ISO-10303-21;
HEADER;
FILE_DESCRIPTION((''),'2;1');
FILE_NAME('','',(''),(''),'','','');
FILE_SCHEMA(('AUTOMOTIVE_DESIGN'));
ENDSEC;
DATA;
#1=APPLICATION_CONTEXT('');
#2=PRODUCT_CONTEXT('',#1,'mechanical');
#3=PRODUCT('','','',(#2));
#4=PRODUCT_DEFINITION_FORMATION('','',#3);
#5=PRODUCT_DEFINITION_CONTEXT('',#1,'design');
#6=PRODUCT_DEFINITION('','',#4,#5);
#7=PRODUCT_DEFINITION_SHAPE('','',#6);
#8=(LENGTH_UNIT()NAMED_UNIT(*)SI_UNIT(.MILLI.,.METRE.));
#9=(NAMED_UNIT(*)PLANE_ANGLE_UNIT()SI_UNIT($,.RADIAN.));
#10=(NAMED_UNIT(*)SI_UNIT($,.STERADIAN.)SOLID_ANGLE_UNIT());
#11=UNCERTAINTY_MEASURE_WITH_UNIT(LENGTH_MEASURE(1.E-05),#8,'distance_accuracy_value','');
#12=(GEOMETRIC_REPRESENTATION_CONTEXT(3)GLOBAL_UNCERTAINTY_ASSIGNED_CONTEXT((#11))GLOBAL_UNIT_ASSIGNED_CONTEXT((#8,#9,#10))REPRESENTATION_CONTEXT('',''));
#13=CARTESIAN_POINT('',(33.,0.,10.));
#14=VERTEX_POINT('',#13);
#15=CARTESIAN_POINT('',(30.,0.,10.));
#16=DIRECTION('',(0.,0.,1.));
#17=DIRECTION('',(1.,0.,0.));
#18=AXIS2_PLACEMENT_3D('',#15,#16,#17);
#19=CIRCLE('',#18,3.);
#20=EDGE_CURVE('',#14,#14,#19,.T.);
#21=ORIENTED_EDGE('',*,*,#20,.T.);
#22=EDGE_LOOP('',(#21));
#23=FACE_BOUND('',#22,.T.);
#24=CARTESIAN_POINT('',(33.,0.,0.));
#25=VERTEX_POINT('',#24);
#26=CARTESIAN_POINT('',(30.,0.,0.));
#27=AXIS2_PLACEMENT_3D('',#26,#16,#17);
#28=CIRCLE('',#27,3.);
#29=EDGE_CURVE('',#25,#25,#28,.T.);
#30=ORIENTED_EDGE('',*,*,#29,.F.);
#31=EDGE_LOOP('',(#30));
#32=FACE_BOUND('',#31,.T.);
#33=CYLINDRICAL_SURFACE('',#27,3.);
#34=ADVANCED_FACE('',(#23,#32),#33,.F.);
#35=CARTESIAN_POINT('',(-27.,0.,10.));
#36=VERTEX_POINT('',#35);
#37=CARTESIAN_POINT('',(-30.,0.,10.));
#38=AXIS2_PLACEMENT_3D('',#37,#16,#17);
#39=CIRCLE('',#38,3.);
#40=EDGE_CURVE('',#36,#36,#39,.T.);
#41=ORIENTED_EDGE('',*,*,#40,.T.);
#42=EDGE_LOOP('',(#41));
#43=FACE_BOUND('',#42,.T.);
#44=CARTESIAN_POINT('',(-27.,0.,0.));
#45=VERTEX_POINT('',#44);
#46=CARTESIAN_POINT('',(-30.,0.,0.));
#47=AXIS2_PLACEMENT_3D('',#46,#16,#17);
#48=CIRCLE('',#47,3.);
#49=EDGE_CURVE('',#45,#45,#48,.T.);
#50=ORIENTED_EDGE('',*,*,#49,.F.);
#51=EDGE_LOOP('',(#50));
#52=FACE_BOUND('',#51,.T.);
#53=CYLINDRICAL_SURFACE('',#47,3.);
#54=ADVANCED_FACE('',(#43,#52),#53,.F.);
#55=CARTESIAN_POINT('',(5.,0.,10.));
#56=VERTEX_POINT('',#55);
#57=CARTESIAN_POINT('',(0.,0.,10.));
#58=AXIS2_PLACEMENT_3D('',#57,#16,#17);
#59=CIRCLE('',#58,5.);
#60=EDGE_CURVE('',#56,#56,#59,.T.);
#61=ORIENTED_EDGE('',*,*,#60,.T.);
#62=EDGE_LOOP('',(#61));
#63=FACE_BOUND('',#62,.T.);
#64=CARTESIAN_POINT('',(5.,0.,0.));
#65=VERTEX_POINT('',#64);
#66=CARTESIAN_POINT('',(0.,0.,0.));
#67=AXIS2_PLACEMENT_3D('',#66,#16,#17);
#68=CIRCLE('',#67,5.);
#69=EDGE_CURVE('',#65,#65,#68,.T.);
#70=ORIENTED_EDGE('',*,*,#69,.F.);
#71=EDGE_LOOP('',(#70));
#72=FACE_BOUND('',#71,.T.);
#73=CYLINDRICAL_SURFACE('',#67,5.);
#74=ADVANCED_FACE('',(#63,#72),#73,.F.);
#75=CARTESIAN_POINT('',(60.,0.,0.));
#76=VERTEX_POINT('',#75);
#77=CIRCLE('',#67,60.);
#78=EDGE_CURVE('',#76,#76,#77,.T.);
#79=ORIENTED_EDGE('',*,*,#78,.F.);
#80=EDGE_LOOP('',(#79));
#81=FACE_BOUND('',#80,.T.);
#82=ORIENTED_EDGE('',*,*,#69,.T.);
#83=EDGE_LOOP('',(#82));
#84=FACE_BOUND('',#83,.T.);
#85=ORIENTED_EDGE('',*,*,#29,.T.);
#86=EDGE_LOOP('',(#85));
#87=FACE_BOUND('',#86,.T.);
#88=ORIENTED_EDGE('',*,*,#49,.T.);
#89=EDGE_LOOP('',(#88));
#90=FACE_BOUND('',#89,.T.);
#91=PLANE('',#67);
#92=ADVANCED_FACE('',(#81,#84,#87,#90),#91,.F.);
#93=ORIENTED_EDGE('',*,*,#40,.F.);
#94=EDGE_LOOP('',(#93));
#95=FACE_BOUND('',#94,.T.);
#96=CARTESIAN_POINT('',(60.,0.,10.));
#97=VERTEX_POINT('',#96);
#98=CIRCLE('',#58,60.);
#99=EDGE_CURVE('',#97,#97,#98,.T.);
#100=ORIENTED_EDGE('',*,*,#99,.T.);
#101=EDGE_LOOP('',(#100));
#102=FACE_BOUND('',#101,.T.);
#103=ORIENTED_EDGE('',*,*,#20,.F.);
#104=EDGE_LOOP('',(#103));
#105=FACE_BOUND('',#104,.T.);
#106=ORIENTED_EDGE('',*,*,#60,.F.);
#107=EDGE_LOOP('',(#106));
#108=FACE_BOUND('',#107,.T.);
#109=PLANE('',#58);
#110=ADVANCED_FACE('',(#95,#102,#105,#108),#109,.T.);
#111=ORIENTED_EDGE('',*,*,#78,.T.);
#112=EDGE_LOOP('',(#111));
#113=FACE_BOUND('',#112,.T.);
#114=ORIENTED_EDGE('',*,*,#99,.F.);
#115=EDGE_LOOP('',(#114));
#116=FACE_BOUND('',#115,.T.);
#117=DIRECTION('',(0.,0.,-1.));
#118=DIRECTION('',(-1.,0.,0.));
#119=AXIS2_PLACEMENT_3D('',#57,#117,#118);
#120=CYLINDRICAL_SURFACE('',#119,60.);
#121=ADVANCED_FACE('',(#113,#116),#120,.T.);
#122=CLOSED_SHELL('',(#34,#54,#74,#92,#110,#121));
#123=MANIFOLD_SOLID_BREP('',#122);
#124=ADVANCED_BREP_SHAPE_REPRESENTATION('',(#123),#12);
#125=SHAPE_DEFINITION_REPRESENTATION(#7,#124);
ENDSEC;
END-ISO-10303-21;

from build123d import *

# Parameters (mm, degrees)
SKETCH1_R           = 60
BOSS_EXTRUDE1_DEPTH = 10
SKETCH2_R           = 5
CUT_EXTRUDE1_DEPTH  = 10
SKETCH3_R           = 3
CUT_EXTRUDE2_DEPTH  = 10


with BuildPart() as part:
    # Sketch1 → Boss-Extrude1 (new body)
    with BuildSketch(Plane.XY):
        Circle(SKETCH1_R)
    extrude(amount=BOSS_EXTRUDE1_DEPTH)

    # Sketch2 → Cut-Extrude1 (cut)
    with BuildSketch(Plane.XY.offset(10)):
        Circle(SKETCH2_R)
    extrude(amount=-CUT_EXTRUDE1_DEPTH, mode=Mode.SUBTRACT)

    # Sketch3 → Cut-Extrude2 (cut)
    with BuildSketch(Plane.XY.offset(10)):
        with Locations((-30, 0)):
            Circle(SKETCH3_R)
        with Locations((30, 0)):
            Circle(SKETCH3_R)
    extrude(amount=-CUT_EXTRUDE2_DEPTH, mode=Mode.SUBTRACT)


solid = part.part
